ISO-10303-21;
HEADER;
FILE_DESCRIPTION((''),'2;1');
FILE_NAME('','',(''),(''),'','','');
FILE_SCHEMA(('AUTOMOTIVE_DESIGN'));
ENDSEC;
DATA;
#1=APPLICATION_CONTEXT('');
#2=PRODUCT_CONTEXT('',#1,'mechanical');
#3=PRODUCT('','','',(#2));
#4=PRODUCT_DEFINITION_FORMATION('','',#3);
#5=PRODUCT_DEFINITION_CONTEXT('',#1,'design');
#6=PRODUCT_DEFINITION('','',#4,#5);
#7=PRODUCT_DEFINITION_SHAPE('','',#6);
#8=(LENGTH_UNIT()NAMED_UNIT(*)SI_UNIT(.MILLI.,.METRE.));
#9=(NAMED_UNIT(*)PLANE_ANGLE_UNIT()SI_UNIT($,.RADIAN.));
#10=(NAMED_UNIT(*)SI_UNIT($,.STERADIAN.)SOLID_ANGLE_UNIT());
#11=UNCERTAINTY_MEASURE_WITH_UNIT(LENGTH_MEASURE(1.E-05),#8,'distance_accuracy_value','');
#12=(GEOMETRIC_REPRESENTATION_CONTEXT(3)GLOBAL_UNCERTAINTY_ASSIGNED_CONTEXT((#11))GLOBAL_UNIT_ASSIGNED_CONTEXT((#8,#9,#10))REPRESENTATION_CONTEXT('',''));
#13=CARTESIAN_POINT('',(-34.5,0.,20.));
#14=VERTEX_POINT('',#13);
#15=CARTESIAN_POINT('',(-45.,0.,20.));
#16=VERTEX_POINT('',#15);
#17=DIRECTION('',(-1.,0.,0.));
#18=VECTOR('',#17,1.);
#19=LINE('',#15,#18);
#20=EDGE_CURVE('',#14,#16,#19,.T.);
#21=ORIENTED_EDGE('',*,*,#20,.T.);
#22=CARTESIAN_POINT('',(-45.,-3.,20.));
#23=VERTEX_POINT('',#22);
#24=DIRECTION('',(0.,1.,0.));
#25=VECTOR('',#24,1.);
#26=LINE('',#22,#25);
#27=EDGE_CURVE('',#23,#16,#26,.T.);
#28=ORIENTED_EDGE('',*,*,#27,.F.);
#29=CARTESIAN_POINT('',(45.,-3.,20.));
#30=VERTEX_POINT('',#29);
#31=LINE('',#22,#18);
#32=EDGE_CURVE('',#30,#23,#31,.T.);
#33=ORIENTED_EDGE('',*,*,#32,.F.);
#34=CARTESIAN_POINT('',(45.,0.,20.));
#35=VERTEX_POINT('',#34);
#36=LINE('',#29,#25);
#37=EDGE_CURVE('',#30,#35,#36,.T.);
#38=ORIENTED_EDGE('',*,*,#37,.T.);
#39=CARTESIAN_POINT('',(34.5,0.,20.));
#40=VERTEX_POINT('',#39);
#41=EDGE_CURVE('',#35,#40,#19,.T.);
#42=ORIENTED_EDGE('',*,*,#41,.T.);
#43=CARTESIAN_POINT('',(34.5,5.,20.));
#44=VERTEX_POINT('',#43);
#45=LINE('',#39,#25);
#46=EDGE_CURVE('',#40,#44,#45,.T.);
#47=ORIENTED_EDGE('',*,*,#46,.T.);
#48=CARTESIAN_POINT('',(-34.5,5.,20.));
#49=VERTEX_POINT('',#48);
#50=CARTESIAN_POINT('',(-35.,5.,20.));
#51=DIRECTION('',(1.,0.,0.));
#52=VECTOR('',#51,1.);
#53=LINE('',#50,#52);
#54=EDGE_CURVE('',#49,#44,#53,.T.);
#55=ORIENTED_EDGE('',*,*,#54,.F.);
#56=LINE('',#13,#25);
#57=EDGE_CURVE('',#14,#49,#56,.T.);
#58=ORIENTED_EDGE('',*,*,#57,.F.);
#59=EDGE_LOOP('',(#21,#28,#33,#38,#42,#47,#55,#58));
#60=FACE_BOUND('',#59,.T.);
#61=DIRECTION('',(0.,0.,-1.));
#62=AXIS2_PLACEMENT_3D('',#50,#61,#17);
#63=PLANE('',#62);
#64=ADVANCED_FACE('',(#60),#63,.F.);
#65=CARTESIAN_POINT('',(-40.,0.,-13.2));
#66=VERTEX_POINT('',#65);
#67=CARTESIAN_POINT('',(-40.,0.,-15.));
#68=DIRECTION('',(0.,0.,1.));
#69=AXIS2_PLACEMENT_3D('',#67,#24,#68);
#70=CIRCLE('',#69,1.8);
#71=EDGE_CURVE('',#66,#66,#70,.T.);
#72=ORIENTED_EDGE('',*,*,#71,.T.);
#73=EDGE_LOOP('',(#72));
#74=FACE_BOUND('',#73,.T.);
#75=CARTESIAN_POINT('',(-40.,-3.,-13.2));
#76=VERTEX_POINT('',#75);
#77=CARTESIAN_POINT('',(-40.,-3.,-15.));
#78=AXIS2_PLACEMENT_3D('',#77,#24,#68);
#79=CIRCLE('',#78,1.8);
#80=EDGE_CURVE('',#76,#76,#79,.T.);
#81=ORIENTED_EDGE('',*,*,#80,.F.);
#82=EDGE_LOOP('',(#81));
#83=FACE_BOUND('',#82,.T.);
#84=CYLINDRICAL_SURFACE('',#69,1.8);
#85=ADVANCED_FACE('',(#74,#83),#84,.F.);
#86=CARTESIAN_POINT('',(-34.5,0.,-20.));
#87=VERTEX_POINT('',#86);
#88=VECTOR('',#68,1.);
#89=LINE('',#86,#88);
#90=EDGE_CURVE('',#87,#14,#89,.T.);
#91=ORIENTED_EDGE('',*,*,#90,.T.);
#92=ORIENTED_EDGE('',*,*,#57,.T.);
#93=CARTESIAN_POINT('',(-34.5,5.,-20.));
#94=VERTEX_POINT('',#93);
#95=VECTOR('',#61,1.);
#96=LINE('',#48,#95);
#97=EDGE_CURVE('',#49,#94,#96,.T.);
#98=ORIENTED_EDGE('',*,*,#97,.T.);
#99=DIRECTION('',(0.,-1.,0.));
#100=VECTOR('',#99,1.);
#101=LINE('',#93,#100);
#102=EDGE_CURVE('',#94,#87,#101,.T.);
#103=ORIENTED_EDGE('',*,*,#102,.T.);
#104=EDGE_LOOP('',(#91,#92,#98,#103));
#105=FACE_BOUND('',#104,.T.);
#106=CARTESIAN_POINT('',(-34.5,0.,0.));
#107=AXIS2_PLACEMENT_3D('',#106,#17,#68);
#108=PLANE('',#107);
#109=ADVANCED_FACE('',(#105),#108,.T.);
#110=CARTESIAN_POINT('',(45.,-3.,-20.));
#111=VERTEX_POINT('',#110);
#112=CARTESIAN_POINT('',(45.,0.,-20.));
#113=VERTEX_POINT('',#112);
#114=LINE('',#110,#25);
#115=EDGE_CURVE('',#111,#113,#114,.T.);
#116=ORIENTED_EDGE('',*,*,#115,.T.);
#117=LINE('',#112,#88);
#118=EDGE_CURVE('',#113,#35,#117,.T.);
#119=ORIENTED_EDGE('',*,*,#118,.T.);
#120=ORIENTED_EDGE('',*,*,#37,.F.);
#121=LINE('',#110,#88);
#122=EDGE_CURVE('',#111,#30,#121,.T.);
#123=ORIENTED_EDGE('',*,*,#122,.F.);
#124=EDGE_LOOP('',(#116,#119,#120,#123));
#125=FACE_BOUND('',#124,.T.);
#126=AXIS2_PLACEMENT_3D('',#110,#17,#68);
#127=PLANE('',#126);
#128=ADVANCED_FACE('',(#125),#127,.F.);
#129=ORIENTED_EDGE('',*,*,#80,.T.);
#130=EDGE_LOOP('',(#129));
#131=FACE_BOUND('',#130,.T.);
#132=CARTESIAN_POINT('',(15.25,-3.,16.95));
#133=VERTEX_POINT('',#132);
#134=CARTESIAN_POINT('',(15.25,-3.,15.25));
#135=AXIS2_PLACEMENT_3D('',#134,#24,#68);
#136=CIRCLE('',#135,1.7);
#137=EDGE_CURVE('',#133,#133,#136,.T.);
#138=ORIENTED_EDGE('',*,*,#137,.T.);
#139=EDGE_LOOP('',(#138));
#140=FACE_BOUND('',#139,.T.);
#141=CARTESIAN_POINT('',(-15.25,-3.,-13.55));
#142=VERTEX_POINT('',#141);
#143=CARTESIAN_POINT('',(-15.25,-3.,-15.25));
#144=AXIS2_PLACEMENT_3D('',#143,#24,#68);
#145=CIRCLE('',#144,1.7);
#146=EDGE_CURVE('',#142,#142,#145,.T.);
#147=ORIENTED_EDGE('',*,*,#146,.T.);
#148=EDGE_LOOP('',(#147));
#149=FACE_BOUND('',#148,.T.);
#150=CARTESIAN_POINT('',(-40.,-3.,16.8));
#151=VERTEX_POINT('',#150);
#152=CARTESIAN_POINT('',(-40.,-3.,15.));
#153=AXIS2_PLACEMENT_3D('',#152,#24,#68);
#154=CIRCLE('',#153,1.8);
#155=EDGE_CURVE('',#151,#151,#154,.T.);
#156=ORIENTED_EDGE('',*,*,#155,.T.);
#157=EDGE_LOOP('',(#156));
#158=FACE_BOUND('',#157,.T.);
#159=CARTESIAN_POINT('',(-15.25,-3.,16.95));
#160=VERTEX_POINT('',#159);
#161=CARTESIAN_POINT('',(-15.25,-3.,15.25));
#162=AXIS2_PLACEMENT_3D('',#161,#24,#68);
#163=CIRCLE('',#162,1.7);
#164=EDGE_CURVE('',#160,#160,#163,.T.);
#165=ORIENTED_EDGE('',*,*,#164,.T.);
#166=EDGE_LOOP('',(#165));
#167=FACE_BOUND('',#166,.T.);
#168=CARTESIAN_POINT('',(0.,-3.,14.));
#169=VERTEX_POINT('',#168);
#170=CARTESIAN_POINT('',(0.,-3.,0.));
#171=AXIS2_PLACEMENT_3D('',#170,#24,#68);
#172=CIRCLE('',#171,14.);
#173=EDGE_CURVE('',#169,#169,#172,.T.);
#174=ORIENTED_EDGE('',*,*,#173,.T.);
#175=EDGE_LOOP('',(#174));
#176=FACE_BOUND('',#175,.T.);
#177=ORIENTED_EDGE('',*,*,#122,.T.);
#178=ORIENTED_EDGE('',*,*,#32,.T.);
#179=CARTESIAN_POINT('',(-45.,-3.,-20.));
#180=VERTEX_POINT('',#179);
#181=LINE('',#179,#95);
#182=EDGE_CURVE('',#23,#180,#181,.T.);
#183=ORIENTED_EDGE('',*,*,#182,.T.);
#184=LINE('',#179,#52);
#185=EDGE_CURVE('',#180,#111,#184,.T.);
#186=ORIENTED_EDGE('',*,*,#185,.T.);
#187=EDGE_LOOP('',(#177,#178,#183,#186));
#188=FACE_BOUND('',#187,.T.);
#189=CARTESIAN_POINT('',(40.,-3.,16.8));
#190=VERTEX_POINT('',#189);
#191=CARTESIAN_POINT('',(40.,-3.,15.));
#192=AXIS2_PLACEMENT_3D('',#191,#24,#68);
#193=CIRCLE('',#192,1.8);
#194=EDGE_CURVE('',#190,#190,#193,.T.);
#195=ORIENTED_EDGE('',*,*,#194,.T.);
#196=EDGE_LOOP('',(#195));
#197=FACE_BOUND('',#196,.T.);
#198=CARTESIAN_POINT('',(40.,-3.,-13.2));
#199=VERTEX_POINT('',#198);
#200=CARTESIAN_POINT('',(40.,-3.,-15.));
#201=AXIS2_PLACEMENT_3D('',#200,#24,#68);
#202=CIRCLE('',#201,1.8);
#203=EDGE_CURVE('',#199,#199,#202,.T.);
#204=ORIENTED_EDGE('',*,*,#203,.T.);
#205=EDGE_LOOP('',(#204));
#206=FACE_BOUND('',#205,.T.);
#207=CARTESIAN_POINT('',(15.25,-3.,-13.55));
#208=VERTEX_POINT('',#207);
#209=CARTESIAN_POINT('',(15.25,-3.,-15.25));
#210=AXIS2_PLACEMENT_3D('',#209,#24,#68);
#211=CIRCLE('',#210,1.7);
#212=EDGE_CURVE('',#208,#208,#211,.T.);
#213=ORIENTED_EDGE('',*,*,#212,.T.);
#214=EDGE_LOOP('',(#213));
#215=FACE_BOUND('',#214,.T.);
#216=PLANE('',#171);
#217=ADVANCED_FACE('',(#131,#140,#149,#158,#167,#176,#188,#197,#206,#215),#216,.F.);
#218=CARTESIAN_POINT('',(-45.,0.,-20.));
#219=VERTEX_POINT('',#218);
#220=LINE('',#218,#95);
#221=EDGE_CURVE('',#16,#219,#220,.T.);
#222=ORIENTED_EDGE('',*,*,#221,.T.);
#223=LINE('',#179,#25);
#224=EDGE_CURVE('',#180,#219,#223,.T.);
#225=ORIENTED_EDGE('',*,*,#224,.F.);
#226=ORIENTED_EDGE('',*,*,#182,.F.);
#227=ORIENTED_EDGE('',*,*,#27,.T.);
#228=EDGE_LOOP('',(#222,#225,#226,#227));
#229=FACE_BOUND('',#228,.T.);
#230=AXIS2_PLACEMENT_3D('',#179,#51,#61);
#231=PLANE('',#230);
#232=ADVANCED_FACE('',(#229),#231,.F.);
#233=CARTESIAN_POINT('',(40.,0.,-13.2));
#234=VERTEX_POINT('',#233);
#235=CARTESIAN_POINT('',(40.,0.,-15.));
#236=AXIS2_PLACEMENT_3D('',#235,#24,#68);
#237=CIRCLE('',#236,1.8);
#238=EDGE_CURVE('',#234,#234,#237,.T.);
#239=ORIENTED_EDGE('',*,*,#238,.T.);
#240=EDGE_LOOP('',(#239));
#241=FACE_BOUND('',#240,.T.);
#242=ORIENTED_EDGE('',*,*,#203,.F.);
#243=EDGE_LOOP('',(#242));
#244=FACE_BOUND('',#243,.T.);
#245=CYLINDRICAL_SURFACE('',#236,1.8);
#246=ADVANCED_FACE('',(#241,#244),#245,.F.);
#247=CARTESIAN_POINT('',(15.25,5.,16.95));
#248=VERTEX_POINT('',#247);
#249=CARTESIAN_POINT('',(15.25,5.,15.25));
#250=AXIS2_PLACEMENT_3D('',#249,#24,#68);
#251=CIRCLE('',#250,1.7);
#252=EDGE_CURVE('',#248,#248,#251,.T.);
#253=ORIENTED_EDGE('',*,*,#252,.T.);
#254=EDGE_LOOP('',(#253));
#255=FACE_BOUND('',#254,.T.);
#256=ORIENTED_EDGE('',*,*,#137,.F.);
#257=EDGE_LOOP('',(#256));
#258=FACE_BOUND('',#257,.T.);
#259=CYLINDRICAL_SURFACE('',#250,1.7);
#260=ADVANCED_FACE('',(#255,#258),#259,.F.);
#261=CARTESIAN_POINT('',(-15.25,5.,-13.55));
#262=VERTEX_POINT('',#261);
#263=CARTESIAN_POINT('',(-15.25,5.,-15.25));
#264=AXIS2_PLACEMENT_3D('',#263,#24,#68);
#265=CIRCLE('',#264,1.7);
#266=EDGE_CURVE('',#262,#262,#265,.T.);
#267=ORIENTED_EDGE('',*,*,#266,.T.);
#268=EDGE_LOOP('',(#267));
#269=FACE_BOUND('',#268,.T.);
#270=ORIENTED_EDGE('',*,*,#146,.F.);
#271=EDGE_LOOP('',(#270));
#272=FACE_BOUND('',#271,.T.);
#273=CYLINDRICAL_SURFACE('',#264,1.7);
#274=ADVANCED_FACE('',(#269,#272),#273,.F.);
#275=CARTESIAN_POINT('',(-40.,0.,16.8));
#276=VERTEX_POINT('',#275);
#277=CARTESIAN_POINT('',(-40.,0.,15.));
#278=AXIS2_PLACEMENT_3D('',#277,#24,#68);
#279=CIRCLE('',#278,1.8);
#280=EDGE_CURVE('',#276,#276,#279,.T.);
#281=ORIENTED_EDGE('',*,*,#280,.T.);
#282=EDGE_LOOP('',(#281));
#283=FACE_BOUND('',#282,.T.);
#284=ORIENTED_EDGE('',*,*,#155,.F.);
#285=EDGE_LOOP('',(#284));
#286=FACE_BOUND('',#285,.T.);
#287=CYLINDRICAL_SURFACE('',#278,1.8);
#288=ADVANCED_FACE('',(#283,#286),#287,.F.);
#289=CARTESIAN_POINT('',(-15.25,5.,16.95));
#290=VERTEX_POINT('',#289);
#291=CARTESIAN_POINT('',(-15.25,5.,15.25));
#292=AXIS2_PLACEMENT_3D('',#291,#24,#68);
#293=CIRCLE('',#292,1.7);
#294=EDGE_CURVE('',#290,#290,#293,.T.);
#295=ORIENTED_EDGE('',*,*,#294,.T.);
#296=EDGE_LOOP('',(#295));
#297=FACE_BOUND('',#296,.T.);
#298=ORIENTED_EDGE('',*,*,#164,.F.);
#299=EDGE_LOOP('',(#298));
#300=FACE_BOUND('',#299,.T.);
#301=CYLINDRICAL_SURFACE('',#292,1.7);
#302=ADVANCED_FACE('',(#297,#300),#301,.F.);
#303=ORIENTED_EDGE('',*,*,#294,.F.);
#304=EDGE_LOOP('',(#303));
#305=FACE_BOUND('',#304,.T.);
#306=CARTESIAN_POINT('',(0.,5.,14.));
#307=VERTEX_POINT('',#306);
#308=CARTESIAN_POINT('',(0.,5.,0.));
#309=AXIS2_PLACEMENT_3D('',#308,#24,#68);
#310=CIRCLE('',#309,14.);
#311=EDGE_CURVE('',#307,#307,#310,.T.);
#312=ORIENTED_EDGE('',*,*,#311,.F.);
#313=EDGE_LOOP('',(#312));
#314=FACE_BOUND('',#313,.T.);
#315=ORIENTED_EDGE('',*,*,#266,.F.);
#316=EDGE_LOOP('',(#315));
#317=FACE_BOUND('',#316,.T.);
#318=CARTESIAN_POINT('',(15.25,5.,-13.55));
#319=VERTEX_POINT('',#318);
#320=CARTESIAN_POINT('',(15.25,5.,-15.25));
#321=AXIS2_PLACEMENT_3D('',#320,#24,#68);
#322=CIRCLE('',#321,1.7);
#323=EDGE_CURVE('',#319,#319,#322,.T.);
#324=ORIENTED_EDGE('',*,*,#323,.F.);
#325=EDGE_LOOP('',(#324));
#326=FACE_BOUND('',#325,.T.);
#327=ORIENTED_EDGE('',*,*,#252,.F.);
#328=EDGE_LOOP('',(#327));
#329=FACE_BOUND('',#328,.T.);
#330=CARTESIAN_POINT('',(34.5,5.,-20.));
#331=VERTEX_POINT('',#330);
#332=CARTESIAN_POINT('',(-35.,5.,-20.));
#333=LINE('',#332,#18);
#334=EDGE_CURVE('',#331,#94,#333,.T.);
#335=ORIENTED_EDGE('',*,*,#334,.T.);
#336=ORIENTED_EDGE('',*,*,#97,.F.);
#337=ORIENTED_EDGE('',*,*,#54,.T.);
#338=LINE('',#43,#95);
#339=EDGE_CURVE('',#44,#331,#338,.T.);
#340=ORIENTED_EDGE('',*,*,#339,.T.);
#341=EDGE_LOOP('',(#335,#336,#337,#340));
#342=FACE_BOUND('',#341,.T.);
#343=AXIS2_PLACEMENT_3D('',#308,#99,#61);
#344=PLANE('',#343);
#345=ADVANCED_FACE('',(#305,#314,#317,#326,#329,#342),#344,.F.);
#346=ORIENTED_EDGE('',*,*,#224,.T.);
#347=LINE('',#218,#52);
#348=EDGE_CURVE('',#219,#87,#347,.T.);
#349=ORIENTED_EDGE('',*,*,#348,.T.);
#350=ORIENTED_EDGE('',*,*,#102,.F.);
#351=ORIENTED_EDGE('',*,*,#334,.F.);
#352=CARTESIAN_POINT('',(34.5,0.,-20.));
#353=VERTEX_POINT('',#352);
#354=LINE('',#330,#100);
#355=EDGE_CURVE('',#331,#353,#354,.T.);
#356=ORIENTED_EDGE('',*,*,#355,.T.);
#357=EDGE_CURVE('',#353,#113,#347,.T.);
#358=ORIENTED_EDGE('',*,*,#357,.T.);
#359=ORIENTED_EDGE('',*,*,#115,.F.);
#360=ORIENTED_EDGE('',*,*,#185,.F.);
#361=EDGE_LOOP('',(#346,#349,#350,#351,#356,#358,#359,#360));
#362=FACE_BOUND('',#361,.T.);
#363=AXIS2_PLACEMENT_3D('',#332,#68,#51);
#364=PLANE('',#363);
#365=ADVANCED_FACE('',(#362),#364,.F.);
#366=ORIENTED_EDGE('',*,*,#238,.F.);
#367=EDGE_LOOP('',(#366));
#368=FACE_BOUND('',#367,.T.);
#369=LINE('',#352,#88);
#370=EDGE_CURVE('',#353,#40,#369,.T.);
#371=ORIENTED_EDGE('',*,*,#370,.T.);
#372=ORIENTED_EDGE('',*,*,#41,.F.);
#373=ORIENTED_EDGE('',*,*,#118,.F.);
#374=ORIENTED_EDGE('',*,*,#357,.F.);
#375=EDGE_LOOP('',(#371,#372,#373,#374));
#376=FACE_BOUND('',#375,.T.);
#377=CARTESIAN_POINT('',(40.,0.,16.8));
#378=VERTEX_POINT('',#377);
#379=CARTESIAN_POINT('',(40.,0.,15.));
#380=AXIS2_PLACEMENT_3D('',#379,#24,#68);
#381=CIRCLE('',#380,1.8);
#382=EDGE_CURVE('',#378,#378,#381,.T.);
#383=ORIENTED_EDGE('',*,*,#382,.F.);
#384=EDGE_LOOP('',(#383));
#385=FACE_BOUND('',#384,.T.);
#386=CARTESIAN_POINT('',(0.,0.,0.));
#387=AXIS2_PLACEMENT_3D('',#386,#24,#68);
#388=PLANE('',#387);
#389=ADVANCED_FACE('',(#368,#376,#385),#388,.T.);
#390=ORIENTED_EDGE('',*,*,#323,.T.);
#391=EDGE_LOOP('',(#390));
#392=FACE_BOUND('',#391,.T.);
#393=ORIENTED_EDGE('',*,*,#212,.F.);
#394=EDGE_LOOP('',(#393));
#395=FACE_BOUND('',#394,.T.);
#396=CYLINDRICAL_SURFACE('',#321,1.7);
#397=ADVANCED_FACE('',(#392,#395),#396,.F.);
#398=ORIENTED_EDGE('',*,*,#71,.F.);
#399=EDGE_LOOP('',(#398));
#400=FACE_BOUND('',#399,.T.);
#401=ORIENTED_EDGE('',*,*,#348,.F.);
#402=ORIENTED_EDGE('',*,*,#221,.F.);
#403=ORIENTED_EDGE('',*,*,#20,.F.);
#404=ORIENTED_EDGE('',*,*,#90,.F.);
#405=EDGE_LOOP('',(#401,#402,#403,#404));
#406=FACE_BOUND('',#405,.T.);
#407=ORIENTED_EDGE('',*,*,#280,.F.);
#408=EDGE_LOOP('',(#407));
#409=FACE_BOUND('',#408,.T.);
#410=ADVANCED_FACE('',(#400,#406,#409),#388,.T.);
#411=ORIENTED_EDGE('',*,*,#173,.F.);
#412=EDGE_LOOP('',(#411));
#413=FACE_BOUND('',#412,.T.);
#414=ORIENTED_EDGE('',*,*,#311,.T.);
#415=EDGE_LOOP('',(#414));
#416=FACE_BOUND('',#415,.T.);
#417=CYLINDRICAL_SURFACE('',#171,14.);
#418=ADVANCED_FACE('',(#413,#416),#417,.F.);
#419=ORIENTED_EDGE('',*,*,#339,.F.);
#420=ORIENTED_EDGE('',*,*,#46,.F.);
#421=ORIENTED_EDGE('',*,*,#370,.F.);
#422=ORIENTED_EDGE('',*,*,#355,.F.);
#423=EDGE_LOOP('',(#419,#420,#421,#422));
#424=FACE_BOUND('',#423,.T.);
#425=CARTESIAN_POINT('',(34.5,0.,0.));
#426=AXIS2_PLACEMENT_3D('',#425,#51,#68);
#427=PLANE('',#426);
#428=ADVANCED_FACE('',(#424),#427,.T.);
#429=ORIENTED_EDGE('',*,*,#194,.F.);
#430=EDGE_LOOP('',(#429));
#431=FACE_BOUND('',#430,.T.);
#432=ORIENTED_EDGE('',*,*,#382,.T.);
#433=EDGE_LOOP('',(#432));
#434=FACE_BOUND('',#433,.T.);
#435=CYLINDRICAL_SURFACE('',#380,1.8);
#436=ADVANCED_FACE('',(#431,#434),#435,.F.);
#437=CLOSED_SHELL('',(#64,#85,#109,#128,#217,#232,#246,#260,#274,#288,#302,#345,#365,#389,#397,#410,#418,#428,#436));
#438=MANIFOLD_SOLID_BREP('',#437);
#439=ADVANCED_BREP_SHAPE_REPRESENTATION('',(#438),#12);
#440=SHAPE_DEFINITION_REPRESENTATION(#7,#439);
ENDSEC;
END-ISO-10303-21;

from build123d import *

# Parameters (mm, degrees)
SKETCH1_W            = 70
SKETCH1_H            = 40
BOSS_EXTRUDE1_DEPTH  = 5
SKETCH2_W            = 90
SKETCH2_H            = 40
BOSS_EXTRUDE2_DEPTH  = 3
M3_CLEARANCE_HOLE1_D = 3.6
M3_CLEARANCE_HOLE2_D = 3.4
SKETCH9_R            = 14
CUT_EXTRUDE1_DEPTH   = 50.889878733
SKETCH10_W           = 40
SKETCH10_H           = 5
CUT_EXTRUDE2_DEPTH   = 0.5


with BuildPart() as part:
    # Sketch1 → Boss-Extrude1 (new body)
    with BuildSketch(Plane(origin=(0, 0, 0), x_dir=(1, 0, 0), z_dir=(0, 1, 0))):
        Rectangle(SKETCH1_W, SKETCH1_H)
    extrude(amount=BOSS_EXTRUDE1_DEPTH)

    # Sketch2 → Boss-Extrude2 (add)
    with BuildSketch(Plane.XZ):
        Rectangle(SKETCH2_W, SKETCH2_H)
    extrude(amount=BOSS_EXTRUDE2_DEPTH)

    # M3 Clearance Hole1 (through all)
    with Locations(Plane(origin=(0, 0, 0), x_dir=(1, 0, 0), z_dir=(0, 1, 0))):
        with Locations((-40, 15), (-40, -15), (40, 15), (40, -15)):
            Hole(M3_CLEARANCE_HOLE1_D / 2)

    # M3 Clearance Hole2 (through all)
    with Locations(Plane(origin=(0, 5, 0), x_dir=(1, 0, 0), z_dir=(0, 1, 0))):
        with Locations((0, 0), (15.25, 15.25), (-15.25, -15.25), (-15.25, 15.25), (15.25, -15.25)):
            Hole(M3_CLEARANCE_HOLE2_D / 2)

    # Sketch9 → Cut-Extrude1 (cut, through all)
    with BuildSketch(Plane(origin=(0, 5, 0), x_dir=(1, 0, 0), z_dir=(0, 1, 0))):
        with Locations(Location((0, 0, 0), (0, 0, 270))):
            Circle(SKETCH9_R)
    extrude(amount=-CUT_EXTRUDE1_DEPTH, mode=Mode.SUBTRACT)

    # Sketch10 → Cut-Extrude2 (cut)
    with BuildSketch(Plane.ZY.offset(35)):
        with Locations((0, 2.5)):
            Rectangle(SKETCH10_W, SKETCH10_H)
    cut_extrude2 = extrude(amount=-CUT_EXTRUDE2_DEPTH, mode=Mode.SUBTRACT)

    # Mirror1: Cut-Extrude2 across plane
    add(cut_extrude2.mirror(Plane(origin=(0, 0, 0), x_dir=(0, 0, 1), z_dir=(1, 0, 0))), mode=Mode.SUBTRACT)


solid = part.part
